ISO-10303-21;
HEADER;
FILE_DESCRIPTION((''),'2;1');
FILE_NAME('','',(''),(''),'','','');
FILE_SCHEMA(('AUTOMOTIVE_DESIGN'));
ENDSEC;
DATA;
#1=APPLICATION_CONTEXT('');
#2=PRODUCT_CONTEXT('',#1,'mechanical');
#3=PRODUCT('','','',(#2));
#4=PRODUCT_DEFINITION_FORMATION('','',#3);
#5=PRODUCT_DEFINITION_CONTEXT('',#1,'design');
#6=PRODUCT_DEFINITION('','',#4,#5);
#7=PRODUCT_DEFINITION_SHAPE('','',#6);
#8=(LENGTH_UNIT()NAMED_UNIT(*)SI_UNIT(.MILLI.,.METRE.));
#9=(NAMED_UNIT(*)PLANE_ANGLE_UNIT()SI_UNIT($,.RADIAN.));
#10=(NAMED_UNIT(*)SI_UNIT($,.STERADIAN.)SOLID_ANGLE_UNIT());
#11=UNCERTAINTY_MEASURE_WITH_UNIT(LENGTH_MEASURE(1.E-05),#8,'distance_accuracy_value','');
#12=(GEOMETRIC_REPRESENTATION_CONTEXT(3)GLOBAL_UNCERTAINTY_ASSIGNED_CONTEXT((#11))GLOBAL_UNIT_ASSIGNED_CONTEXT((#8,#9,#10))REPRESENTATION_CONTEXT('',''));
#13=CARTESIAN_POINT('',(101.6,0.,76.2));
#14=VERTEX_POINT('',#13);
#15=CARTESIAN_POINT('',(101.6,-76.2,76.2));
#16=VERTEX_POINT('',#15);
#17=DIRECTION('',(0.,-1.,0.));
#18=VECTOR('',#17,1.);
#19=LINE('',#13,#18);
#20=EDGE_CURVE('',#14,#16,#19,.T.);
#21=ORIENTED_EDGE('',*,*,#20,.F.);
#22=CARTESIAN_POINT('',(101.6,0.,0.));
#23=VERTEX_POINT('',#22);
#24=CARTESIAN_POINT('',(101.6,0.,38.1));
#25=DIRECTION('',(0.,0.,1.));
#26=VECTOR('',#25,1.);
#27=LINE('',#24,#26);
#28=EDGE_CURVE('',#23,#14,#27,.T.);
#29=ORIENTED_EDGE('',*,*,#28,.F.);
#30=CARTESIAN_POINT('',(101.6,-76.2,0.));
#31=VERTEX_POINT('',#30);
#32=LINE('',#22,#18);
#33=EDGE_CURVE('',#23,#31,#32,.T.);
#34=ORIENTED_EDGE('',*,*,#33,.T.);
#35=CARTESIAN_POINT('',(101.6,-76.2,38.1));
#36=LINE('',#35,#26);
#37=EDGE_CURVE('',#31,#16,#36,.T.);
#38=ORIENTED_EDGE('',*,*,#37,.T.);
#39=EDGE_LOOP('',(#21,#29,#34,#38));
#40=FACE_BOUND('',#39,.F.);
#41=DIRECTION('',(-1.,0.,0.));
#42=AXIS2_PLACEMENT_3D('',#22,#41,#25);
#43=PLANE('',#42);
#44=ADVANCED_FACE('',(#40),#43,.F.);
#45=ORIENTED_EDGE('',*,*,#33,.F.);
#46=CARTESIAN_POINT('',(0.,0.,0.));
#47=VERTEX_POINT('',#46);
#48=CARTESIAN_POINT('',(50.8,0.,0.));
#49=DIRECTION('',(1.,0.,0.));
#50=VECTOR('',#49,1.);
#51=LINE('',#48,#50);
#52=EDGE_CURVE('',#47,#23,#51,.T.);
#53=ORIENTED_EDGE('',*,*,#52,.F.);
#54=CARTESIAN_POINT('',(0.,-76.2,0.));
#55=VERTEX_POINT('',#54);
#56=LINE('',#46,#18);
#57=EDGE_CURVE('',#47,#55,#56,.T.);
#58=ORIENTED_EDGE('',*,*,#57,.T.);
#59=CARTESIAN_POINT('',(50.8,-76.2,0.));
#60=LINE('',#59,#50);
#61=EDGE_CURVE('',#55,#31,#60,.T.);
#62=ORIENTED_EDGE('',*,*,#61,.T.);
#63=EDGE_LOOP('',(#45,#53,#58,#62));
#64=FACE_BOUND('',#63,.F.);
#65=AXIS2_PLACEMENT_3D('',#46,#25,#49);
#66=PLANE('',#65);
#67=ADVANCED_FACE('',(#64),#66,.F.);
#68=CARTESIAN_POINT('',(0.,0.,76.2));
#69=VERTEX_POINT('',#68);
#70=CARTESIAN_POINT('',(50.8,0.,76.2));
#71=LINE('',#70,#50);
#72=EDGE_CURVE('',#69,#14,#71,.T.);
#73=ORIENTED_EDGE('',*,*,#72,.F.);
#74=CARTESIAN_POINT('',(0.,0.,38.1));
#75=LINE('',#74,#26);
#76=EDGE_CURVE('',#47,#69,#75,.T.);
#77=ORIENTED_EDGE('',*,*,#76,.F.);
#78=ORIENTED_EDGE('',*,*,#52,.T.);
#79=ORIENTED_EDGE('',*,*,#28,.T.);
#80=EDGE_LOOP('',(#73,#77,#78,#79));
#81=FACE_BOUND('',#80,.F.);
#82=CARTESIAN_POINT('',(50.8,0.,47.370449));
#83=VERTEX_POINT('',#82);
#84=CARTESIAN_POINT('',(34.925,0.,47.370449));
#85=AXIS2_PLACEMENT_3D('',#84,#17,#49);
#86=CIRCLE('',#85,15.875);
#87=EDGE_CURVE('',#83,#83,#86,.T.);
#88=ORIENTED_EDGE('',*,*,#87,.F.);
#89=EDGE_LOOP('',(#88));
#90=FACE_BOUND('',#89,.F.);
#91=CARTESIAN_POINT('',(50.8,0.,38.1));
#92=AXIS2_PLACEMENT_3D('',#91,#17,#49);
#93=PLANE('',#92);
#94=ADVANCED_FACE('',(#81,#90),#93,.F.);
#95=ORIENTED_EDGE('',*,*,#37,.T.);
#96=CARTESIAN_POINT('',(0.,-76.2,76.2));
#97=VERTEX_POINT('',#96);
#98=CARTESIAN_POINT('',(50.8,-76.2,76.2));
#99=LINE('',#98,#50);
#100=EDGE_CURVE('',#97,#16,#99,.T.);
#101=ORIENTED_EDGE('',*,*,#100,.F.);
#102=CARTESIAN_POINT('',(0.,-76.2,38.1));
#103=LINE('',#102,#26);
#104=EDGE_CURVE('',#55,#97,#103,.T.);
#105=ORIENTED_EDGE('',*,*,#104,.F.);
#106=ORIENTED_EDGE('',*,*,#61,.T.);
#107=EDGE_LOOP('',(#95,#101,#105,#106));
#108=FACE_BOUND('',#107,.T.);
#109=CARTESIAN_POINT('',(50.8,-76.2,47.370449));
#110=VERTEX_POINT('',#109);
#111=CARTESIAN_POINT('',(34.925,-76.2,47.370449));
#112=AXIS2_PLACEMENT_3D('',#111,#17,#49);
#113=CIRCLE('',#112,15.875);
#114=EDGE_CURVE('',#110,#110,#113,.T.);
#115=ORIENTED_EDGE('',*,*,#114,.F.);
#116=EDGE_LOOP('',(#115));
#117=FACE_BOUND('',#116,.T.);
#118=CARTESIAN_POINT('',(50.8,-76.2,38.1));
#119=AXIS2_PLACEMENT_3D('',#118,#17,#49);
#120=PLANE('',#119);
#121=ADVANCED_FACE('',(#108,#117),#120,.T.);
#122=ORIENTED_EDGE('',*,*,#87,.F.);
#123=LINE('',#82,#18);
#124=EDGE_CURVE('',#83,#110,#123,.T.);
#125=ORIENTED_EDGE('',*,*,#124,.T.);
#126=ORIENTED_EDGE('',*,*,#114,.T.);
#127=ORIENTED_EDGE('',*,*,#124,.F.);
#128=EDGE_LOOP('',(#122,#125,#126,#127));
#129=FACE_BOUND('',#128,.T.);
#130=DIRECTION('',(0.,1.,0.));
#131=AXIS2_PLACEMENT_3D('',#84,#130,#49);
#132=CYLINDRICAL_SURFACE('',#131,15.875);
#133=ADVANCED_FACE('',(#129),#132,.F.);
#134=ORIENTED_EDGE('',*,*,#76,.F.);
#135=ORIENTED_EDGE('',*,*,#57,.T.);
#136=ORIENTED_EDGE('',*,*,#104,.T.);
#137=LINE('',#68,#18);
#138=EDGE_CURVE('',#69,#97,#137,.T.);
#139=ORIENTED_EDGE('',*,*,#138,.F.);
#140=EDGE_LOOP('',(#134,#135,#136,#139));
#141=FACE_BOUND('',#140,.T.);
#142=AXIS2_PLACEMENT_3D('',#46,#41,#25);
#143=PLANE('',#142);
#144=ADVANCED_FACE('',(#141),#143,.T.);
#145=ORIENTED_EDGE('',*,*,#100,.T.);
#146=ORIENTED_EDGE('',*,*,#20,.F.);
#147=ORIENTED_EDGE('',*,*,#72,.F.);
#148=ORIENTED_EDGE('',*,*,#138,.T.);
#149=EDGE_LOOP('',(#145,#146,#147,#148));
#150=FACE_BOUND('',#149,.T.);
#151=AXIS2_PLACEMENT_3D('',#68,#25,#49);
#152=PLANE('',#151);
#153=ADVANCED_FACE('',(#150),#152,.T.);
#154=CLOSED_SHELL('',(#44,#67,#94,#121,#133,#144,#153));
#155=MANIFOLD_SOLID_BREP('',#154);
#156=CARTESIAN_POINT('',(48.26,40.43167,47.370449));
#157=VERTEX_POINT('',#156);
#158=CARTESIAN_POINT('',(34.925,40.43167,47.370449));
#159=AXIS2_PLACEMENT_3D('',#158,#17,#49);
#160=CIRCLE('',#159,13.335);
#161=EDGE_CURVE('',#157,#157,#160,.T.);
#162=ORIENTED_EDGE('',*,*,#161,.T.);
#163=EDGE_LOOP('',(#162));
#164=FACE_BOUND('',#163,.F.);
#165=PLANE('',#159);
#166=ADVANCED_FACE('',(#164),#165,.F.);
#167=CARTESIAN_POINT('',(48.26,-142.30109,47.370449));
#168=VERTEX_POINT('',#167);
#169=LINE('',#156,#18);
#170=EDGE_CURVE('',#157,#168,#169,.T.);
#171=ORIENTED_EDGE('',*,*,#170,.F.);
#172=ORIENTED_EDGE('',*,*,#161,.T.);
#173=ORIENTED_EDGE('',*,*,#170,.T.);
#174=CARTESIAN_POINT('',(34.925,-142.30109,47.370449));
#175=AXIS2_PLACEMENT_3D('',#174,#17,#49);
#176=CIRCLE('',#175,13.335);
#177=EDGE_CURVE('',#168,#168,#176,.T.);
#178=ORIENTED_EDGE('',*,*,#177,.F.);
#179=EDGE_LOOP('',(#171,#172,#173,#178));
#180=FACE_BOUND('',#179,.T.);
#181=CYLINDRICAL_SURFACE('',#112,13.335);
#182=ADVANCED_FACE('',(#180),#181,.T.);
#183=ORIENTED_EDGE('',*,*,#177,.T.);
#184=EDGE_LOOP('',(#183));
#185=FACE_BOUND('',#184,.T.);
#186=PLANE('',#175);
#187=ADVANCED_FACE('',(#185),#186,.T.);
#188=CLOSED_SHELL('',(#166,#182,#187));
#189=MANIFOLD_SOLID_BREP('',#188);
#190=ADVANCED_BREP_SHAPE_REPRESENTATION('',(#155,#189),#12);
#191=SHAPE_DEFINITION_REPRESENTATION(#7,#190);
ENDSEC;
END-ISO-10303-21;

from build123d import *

# Parameters (mm, degrees)
F0_W          = 101.6
F0_H          = 76.2
F0_R          = 15.875
F1_DEPTH      = 76.2
F2_R          = 13.335
F3_DEPTH      = 66.10109
F3_DEPTH_BACK = 116.63167


with BuildPart() as f1:
    # F0 (on Front) → F1 (new body)
    with BuildSketch(Plane.XZ):
        with Locations((50.8, 38.1)):
            Rectangle(F0_W, F0_H)
        with Locations((34.925, 47.370449)):
            Circle(F0_R, mode=Mode.SUBTRACT)
    extrude(amount=F1_DEPTH)


with BuildPart() as f3:
    # F2 (on face) → F3 (new body, two sides)
    with BuildSketch(Plane.XZ.offset(76.2)) as f3_sk:
        with Locations((34.925, 47.370449)):
            Circle(F2_R)
    extrude(amount=F3_DEPTH)
    extrude(f3_sk.sketch, amount=-F3_DEPTH_BACK)


solid = Compound([f1.part, f3.part])
